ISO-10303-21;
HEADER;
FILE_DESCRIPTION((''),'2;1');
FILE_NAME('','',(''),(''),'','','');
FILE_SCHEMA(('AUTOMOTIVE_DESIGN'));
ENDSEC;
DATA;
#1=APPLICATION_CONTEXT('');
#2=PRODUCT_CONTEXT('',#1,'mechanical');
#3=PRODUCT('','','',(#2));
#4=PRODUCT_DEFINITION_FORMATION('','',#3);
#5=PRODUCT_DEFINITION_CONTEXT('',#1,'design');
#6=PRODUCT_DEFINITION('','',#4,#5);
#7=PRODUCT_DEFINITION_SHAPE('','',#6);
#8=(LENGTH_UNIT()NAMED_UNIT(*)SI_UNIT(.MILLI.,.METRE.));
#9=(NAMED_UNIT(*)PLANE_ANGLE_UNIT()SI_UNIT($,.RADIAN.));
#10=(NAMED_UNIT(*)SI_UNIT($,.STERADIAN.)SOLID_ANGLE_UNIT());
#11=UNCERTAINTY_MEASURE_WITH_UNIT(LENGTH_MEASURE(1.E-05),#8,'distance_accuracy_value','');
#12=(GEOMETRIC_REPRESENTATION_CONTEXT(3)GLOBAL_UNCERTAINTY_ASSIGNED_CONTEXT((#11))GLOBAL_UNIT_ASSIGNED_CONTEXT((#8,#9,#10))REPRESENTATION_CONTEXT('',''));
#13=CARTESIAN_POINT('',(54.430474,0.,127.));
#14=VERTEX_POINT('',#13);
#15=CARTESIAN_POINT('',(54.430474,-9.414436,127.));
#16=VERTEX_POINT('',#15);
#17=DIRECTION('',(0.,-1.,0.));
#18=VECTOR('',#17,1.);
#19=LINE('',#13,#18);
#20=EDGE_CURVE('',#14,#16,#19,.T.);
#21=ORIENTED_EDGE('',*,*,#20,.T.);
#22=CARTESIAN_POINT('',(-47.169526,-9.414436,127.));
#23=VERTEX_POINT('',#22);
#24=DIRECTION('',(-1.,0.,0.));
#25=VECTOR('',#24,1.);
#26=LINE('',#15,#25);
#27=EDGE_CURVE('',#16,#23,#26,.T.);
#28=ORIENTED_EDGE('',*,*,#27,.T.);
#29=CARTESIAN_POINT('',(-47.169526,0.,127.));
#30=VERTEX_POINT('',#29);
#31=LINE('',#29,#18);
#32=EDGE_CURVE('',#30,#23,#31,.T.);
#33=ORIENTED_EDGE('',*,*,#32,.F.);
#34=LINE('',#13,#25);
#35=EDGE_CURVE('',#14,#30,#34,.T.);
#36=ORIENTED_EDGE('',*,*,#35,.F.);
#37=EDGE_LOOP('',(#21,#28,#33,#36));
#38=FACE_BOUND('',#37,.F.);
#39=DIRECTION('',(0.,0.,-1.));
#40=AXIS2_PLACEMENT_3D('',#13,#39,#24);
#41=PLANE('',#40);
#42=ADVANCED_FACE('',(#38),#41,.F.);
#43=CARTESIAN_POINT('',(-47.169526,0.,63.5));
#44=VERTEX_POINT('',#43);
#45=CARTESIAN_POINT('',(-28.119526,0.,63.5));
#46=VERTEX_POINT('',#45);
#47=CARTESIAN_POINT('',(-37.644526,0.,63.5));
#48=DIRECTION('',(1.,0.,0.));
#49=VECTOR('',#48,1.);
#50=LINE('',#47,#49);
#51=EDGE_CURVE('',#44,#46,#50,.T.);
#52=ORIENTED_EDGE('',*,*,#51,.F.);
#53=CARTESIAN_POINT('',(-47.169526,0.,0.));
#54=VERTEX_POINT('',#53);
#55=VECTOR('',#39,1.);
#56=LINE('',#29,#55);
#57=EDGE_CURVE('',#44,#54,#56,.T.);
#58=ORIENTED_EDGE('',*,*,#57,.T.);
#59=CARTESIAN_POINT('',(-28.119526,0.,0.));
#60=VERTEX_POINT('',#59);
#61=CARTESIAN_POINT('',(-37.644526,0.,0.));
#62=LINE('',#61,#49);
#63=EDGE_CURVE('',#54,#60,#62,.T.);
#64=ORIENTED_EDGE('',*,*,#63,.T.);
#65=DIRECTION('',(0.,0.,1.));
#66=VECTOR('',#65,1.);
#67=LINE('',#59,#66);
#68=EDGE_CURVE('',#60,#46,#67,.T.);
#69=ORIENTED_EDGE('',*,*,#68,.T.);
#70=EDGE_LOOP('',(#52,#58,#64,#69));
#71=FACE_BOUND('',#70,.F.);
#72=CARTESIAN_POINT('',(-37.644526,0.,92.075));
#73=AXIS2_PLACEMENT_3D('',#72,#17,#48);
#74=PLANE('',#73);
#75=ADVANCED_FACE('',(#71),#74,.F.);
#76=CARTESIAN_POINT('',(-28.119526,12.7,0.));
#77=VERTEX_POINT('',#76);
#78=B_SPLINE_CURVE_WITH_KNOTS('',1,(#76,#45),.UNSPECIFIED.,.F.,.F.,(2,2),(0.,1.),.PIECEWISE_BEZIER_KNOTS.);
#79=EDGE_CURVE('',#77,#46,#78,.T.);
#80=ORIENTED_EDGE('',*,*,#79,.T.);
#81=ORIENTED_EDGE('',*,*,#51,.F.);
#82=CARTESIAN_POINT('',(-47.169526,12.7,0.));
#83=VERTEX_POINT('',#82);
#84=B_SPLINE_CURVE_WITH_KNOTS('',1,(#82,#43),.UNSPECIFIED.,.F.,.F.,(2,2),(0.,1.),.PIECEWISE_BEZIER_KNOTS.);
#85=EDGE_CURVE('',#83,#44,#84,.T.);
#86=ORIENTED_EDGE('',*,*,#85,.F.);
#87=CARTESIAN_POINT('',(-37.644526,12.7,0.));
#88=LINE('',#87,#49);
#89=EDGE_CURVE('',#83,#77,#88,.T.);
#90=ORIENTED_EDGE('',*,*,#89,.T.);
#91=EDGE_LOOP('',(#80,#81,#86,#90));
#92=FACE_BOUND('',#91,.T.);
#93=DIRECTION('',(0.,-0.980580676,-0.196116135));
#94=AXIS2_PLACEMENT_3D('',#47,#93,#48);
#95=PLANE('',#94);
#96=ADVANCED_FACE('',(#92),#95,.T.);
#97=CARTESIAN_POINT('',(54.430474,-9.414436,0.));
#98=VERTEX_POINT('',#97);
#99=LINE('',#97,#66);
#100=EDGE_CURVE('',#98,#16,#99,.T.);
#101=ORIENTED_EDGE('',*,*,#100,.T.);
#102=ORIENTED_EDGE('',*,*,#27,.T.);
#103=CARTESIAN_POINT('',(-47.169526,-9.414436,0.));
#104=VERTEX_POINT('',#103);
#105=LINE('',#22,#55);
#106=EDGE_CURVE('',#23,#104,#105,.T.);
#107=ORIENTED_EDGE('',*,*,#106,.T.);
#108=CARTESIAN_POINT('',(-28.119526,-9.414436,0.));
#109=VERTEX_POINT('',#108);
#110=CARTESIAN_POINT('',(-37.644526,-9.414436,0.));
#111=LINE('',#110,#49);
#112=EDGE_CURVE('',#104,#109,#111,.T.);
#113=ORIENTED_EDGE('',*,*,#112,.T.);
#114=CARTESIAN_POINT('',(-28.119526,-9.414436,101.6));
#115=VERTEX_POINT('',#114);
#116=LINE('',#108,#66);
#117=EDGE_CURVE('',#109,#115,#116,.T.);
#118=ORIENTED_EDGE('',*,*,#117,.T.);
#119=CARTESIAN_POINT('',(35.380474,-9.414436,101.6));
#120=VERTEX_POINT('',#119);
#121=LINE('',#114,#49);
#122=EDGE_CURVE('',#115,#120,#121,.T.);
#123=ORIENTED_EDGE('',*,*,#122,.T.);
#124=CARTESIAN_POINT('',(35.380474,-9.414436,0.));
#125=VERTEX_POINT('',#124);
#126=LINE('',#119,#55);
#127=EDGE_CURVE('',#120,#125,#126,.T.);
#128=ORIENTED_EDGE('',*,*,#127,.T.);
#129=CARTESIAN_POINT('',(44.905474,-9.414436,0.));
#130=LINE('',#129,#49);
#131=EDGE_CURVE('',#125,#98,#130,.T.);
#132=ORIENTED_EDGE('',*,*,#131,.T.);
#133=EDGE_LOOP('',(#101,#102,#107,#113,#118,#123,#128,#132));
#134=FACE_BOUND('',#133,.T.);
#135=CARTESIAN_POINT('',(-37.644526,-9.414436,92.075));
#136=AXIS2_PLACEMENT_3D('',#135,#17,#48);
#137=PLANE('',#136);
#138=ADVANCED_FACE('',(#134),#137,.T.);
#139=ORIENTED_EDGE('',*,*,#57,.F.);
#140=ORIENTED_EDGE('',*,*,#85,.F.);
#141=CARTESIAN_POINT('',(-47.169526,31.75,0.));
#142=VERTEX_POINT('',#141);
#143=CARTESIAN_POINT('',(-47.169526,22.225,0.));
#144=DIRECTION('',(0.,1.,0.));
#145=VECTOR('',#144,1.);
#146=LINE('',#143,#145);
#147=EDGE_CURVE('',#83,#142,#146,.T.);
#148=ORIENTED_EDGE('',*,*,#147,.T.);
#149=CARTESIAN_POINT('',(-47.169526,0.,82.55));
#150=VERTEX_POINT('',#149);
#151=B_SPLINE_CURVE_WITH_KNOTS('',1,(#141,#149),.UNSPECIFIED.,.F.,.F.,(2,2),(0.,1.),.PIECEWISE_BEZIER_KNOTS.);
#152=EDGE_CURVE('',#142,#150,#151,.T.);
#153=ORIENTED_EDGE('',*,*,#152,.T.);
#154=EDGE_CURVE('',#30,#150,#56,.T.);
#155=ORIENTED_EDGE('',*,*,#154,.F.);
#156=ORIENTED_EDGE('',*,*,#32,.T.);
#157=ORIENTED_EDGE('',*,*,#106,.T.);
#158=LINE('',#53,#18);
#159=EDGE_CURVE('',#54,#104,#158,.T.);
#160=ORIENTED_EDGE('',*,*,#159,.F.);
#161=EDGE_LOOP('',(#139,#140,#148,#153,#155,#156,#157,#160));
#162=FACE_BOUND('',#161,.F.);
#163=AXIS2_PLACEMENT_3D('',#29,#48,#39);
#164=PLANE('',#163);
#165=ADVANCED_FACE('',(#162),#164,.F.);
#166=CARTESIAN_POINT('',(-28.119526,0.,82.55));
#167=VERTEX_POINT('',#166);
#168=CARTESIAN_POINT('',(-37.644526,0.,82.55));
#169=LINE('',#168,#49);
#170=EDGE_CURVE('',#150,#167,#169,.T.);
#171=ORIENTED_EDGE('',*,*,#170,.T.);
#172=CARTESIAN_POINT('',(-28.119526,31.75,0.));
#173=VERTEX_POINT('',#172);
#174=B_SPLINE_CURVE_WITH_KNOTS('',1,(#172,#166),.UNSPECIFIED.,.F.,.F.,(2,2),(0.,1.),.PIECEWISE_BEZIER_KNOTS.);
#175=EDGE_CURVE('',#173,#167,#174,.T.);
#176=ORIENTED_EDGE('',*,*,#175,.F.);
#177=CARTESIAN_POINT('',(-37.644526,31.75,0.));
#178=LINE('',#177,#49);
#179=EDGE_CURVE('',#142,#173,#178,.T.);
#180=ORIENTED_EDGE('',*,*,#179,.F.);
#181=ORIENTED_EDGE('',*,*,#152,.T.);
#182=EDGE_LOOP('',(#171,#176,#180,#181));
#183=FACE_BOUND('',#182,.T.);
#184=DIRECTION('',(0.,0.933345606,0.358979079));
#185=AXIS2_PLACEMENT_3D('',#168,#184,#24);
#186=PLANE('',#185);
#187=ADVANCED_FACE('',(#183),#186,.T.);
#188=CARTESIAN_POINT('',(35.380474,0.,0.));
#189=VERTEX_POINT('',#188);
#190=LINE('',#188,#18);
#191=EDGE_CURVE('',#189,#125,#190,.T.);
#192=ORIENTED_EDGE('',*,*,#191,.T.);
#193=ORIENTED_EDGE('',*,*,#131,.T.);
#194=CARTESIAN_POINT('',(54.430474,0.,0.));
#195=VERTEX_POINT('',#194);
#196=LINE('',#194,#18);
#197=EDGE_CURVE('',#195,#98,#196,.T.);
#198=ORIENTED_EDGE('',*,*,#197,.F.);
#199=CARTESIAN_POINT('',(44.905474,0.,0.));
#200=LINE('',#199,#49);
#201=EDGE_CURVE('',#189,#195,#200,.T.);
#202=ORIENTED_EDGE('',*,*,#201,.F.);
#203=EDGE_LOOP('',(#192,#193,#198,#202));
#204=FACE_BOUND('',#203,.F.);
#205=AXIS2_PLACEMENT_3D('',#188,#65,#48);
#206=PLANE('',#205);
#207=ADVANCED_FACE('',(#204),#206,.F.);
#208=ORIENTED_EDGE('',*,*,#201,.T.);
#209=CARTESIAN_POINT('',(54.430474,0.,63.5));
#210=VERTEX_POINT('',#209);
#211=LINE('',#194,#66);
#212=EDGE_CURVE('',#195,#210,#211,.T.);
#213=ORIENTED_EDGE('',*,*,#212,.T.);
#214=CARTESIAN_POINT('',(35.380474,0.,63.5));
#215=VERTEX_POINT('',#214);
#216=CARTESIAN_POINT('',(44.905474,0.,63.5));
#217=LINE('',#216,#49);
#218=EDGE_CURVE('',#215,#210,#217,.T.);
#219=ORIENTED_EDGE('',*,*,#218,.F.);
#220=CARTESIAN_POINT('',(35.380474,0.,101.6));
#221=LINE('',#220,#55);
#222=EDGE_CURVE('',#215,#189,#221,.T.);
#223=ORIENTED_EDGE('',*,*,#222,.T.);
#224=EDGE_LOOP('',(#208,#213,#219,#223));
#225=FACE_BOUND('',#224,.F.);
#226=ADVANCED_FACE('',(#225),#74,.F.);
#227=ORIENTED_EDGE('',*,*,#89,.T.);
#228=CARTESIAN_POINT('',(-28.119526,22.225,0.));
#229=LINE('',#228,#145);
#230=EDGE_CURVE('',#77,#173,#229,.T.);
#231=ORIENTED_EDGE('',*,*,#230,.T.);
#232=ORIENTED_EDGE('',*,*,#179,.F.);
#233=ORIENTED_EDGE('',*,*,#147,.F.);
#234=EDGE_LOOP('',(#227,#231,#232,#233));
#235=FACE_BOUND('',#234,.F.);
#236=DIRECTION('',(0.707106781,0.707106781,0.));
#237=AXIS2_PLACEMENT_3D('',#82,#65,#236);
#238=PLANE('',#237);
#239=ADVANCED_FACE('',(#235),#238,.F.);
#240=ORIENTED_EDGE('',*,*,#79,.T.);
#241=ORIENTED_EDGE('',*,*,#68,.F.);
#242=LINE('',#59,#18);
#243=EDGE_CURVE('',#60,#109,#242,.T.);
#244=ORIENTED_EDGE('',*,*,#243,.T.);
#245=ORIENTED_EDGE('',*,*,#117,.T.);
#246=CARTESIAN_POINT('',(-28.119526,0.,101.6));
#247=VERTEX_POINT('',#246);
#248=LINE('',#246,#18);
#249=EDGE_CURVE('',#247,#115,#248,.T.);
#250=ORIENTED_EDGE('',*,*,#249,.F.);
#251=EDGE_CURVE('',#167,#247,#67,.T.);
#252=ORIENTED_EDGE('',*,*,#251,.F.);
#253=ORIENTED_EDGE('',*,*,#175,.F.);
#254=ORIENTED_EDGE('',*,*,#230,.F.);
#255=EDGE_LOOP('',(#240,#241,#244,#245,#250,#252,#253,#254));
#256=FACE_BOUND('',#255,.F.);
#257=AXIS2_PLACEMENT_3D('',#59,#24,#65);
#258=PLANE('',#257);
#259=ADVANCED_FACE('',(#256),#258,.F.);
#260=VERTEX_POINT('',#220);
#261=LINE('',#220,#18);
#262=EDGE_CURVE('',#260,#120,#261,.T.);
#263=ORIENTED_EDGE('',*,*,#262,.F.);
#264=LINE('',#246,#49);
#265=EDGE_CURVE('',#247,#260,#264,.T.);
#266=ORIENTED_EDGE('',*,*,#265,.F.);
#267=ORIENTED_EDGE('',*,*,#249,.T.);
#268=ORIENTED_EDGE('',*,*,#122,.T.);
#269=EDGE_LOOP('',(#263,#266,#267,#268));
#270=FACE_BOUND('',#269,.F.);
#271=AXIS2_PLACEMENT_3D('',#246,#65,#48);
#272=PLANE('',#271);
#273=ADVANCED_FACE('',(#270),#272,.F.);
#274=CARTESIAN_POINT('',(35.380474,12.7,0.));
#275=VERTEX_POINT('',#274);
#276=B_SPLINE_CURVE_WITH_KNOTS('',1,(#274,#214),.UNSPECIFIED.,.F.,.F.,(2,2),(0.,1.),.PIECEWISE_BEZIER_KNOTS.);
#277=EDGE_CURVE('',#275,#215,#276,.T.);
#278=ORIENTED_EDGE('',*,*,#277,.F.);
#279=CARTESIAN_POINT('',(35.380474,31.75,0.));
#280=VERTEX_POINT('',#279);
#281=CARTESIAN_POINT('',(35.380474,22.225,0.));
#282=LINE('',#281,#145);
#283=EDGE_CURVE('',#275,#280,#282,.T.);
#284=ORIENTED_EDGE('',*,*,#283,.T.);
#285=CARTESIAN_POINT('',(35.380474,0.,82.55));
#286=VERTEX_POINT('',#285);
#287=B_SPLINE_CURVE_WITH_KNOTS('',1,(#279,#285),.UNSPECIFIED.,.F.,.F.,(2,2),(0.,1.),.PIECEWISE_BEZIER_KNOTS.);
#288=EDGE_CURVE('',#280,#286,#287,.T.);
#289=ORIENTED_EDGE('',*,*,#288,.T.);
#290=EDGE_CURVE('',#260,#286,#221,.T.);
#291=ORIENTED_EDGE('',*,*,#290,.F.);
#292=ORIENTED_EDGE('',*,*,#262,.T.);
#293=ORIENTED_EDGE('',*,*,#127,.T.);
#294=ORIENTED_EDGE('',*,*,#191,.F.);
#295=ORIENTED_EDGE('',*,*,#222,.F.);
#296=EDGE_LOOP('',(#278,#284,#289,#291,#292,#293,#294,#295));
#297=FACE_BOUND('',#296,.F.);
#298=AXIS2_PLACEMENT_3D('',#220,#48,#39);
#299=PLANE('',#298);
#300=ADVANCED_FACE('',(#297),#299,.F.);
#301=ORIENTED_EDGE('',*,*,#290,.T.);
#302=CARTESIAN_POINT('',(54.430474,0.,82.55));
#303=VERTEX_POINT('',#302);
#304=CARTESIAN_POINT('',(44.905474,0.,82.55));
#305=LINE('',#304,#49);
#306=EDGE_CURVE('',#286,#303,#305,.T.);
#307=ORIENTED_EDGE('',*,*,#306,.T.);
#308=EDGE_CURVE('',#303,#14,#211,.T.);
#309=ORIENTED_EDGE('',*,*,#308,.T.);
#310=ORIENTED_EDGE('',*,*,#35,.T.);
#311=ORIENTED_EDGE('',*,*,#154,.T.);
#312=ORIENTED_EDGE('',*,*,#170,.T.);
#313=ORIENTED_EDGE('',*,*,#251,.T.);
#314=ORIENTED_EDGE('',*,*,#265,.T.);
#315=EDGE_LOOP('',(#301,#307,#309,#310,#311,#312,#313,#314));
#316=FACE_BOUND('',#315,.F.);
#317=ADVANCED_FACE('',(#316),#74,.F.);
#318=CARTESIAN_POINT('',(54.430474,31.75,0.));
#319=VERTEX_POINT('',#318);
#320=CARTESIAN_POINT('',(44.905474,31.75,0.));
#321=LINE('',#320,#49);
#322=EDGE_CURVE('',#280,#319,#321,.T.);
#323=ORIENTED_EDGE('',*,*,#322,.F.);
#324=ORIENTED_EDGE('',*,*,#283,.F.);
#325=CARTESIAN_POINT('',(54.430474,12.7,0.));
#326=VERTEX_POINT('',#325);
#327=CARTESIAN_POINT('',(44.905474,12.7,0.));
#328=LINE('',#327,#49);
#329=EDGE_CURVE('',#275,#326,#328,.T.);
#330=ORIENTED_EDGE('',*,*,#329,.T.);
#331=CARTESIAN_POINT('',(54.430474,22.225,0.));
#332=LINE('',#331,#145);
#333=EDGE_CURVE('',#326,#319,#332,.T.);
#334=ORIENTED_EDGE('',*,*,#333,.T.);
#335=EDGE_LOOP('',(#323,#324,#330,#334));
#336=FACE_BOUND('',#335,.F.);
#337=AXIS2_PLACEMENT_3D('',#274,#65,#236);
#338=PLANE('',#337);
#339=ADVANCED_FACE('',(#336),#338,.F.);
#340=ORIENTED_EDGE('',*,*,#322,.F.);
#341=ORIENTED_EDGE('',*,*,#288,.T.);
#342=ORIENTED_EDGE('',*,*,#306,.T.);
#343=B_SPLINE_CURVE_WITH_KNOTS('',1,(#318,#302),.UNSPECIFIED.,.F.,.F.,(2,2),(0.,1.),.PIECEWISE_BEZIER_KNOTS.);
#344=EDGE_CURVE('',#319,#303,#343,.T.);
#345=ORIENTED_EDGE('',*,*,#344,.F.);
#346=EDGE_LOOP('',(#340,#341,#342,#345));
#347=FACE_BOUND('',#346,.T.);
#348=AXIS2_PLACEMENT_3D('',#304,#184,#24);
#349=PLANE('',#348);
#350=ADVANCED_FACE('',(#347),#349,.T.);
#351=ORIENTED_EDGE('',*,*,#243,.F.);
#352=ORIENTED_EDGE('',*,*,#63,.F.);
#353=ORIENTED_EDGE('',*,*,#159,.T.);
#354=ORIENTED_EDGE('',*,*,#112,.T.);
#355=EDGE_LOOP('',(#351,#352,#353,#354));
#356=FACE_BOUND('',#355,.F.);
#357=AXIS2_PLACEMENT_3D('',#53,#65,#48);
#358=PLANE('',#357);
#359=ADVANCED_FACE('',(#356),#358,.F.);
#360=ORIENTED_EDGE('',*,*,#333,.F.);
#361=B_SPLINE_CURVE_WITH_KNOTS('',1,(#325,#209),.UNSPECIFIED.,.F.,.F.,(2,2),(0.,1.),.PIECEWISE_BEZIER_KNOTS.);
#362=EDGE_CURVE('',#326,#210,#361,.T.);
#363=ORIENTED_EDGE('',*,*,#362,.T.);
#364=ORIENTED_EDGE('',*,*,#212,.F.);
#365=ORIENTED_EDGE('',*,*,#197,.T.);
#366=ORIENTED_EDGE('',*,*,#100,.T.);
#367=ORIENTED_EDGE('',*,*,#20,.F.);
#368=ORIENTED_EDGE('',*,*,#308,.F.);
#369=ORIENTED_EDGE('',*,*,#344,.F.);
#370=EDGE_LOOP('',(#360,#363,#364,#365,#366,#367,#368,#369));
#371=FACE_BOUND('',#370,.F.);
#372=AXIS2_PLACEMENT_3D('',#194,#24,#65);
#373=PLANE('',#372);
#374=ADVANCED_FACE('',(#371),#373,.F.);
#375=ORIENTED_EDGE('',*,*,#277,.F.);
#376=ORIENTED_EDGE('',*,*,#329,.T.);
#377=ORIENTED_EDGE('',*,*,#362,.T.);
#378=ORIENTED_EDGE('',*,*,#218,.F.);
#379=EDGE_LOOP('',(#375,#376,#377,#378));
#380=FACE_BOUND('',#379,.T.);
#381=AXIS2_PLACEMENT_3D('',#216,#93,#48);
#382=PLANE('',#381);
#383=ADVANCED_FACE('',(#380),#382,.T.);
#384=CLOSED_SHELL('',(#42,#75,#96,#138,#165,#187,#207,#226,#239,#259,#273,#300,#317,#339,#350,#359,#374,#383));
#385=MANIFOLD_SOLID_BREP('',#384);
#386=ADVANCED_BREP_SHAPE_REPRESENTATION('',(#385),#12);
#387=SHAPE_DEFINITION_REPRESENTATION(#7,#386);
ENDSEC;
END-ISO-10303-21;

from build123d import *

# Parameters (mm, degrees)
F1_W     = 19.05
F1_H     = 19.05
F0_W     = 19.05
F0_H     = 19.05
F0_H_2   = 25.4
F0_W_2   = 63.5
F0_H_3   = 63.5
F4_DEPTH = 9.4144362956


with BuildPart() as f2:
    # F1 (on Top) → F2 section 0
    with BuildSketch(Plane.XY):
        with Locations((44.9054742098, 22.225)):
            Rectangle(F1_W, F1_H)
    # F0 (on Front) → F2 section 1
    with BuildSketch(Plane.XZ):
        with Locations((44.9054742098, 73.025)):
            Rectangle(F0_W, F0_H)
    loft()



with BuildPart() as f3:
    # F1 (on Top) → F3 section 0
    with BuildSketch(Plane.XY):
        with Locations((-37.6445257902, 22.225)):
            Rectangle(F1_W, F1_H)
    # F0 (on Front) → F3 section 1
    with BuildSketch(Plane.XZ):
        with Locations((-37.6445257902, 73.025)):
            Rectangle(F0_W, F0_H)
    loft()


with BuildPart() as f2_1:
    add(f2.part)

    add(f3.part)  # F4 merges F3
    # F0 (on Front) → F4 (join)
    with BuildSketch(Plane.XZ):
        with Locations((-37.6445257902, 92.075)):
            Rectangle(F0_W, F0_H)
        with Locations((-37.6445257902, 114.3)):
            Rectangle(F0_W, F0_H_2)
        with Locations((3.6304742098, 114.3)):
            Rectangle(F0_W_2, F0_H_2)
        with Locations((44.9054742098, 114.3)):
            Rectangle(F0_W, F0_H_2)
        with Locations((44.9054742098, 92.075)):
            Rectangle(F0_W, F0_H)
        with Locations((-37.6445257902, 31.75)):
            Rectangle(F0_W, F0_H_3)
        with Locations((-37.6445257902, 73.025)):
            Rectangle(F0_W, F0_H)
        with Locations((44.9054742098, 31.75)):
            Rectangle(F0_W, F0_H_3)
        with Locations((44.9054742098, 73.025)):
            Rectangle(F0_W, F0_H)
    extrude(amount=F4_DEPTH)


solid = f2_1.part
